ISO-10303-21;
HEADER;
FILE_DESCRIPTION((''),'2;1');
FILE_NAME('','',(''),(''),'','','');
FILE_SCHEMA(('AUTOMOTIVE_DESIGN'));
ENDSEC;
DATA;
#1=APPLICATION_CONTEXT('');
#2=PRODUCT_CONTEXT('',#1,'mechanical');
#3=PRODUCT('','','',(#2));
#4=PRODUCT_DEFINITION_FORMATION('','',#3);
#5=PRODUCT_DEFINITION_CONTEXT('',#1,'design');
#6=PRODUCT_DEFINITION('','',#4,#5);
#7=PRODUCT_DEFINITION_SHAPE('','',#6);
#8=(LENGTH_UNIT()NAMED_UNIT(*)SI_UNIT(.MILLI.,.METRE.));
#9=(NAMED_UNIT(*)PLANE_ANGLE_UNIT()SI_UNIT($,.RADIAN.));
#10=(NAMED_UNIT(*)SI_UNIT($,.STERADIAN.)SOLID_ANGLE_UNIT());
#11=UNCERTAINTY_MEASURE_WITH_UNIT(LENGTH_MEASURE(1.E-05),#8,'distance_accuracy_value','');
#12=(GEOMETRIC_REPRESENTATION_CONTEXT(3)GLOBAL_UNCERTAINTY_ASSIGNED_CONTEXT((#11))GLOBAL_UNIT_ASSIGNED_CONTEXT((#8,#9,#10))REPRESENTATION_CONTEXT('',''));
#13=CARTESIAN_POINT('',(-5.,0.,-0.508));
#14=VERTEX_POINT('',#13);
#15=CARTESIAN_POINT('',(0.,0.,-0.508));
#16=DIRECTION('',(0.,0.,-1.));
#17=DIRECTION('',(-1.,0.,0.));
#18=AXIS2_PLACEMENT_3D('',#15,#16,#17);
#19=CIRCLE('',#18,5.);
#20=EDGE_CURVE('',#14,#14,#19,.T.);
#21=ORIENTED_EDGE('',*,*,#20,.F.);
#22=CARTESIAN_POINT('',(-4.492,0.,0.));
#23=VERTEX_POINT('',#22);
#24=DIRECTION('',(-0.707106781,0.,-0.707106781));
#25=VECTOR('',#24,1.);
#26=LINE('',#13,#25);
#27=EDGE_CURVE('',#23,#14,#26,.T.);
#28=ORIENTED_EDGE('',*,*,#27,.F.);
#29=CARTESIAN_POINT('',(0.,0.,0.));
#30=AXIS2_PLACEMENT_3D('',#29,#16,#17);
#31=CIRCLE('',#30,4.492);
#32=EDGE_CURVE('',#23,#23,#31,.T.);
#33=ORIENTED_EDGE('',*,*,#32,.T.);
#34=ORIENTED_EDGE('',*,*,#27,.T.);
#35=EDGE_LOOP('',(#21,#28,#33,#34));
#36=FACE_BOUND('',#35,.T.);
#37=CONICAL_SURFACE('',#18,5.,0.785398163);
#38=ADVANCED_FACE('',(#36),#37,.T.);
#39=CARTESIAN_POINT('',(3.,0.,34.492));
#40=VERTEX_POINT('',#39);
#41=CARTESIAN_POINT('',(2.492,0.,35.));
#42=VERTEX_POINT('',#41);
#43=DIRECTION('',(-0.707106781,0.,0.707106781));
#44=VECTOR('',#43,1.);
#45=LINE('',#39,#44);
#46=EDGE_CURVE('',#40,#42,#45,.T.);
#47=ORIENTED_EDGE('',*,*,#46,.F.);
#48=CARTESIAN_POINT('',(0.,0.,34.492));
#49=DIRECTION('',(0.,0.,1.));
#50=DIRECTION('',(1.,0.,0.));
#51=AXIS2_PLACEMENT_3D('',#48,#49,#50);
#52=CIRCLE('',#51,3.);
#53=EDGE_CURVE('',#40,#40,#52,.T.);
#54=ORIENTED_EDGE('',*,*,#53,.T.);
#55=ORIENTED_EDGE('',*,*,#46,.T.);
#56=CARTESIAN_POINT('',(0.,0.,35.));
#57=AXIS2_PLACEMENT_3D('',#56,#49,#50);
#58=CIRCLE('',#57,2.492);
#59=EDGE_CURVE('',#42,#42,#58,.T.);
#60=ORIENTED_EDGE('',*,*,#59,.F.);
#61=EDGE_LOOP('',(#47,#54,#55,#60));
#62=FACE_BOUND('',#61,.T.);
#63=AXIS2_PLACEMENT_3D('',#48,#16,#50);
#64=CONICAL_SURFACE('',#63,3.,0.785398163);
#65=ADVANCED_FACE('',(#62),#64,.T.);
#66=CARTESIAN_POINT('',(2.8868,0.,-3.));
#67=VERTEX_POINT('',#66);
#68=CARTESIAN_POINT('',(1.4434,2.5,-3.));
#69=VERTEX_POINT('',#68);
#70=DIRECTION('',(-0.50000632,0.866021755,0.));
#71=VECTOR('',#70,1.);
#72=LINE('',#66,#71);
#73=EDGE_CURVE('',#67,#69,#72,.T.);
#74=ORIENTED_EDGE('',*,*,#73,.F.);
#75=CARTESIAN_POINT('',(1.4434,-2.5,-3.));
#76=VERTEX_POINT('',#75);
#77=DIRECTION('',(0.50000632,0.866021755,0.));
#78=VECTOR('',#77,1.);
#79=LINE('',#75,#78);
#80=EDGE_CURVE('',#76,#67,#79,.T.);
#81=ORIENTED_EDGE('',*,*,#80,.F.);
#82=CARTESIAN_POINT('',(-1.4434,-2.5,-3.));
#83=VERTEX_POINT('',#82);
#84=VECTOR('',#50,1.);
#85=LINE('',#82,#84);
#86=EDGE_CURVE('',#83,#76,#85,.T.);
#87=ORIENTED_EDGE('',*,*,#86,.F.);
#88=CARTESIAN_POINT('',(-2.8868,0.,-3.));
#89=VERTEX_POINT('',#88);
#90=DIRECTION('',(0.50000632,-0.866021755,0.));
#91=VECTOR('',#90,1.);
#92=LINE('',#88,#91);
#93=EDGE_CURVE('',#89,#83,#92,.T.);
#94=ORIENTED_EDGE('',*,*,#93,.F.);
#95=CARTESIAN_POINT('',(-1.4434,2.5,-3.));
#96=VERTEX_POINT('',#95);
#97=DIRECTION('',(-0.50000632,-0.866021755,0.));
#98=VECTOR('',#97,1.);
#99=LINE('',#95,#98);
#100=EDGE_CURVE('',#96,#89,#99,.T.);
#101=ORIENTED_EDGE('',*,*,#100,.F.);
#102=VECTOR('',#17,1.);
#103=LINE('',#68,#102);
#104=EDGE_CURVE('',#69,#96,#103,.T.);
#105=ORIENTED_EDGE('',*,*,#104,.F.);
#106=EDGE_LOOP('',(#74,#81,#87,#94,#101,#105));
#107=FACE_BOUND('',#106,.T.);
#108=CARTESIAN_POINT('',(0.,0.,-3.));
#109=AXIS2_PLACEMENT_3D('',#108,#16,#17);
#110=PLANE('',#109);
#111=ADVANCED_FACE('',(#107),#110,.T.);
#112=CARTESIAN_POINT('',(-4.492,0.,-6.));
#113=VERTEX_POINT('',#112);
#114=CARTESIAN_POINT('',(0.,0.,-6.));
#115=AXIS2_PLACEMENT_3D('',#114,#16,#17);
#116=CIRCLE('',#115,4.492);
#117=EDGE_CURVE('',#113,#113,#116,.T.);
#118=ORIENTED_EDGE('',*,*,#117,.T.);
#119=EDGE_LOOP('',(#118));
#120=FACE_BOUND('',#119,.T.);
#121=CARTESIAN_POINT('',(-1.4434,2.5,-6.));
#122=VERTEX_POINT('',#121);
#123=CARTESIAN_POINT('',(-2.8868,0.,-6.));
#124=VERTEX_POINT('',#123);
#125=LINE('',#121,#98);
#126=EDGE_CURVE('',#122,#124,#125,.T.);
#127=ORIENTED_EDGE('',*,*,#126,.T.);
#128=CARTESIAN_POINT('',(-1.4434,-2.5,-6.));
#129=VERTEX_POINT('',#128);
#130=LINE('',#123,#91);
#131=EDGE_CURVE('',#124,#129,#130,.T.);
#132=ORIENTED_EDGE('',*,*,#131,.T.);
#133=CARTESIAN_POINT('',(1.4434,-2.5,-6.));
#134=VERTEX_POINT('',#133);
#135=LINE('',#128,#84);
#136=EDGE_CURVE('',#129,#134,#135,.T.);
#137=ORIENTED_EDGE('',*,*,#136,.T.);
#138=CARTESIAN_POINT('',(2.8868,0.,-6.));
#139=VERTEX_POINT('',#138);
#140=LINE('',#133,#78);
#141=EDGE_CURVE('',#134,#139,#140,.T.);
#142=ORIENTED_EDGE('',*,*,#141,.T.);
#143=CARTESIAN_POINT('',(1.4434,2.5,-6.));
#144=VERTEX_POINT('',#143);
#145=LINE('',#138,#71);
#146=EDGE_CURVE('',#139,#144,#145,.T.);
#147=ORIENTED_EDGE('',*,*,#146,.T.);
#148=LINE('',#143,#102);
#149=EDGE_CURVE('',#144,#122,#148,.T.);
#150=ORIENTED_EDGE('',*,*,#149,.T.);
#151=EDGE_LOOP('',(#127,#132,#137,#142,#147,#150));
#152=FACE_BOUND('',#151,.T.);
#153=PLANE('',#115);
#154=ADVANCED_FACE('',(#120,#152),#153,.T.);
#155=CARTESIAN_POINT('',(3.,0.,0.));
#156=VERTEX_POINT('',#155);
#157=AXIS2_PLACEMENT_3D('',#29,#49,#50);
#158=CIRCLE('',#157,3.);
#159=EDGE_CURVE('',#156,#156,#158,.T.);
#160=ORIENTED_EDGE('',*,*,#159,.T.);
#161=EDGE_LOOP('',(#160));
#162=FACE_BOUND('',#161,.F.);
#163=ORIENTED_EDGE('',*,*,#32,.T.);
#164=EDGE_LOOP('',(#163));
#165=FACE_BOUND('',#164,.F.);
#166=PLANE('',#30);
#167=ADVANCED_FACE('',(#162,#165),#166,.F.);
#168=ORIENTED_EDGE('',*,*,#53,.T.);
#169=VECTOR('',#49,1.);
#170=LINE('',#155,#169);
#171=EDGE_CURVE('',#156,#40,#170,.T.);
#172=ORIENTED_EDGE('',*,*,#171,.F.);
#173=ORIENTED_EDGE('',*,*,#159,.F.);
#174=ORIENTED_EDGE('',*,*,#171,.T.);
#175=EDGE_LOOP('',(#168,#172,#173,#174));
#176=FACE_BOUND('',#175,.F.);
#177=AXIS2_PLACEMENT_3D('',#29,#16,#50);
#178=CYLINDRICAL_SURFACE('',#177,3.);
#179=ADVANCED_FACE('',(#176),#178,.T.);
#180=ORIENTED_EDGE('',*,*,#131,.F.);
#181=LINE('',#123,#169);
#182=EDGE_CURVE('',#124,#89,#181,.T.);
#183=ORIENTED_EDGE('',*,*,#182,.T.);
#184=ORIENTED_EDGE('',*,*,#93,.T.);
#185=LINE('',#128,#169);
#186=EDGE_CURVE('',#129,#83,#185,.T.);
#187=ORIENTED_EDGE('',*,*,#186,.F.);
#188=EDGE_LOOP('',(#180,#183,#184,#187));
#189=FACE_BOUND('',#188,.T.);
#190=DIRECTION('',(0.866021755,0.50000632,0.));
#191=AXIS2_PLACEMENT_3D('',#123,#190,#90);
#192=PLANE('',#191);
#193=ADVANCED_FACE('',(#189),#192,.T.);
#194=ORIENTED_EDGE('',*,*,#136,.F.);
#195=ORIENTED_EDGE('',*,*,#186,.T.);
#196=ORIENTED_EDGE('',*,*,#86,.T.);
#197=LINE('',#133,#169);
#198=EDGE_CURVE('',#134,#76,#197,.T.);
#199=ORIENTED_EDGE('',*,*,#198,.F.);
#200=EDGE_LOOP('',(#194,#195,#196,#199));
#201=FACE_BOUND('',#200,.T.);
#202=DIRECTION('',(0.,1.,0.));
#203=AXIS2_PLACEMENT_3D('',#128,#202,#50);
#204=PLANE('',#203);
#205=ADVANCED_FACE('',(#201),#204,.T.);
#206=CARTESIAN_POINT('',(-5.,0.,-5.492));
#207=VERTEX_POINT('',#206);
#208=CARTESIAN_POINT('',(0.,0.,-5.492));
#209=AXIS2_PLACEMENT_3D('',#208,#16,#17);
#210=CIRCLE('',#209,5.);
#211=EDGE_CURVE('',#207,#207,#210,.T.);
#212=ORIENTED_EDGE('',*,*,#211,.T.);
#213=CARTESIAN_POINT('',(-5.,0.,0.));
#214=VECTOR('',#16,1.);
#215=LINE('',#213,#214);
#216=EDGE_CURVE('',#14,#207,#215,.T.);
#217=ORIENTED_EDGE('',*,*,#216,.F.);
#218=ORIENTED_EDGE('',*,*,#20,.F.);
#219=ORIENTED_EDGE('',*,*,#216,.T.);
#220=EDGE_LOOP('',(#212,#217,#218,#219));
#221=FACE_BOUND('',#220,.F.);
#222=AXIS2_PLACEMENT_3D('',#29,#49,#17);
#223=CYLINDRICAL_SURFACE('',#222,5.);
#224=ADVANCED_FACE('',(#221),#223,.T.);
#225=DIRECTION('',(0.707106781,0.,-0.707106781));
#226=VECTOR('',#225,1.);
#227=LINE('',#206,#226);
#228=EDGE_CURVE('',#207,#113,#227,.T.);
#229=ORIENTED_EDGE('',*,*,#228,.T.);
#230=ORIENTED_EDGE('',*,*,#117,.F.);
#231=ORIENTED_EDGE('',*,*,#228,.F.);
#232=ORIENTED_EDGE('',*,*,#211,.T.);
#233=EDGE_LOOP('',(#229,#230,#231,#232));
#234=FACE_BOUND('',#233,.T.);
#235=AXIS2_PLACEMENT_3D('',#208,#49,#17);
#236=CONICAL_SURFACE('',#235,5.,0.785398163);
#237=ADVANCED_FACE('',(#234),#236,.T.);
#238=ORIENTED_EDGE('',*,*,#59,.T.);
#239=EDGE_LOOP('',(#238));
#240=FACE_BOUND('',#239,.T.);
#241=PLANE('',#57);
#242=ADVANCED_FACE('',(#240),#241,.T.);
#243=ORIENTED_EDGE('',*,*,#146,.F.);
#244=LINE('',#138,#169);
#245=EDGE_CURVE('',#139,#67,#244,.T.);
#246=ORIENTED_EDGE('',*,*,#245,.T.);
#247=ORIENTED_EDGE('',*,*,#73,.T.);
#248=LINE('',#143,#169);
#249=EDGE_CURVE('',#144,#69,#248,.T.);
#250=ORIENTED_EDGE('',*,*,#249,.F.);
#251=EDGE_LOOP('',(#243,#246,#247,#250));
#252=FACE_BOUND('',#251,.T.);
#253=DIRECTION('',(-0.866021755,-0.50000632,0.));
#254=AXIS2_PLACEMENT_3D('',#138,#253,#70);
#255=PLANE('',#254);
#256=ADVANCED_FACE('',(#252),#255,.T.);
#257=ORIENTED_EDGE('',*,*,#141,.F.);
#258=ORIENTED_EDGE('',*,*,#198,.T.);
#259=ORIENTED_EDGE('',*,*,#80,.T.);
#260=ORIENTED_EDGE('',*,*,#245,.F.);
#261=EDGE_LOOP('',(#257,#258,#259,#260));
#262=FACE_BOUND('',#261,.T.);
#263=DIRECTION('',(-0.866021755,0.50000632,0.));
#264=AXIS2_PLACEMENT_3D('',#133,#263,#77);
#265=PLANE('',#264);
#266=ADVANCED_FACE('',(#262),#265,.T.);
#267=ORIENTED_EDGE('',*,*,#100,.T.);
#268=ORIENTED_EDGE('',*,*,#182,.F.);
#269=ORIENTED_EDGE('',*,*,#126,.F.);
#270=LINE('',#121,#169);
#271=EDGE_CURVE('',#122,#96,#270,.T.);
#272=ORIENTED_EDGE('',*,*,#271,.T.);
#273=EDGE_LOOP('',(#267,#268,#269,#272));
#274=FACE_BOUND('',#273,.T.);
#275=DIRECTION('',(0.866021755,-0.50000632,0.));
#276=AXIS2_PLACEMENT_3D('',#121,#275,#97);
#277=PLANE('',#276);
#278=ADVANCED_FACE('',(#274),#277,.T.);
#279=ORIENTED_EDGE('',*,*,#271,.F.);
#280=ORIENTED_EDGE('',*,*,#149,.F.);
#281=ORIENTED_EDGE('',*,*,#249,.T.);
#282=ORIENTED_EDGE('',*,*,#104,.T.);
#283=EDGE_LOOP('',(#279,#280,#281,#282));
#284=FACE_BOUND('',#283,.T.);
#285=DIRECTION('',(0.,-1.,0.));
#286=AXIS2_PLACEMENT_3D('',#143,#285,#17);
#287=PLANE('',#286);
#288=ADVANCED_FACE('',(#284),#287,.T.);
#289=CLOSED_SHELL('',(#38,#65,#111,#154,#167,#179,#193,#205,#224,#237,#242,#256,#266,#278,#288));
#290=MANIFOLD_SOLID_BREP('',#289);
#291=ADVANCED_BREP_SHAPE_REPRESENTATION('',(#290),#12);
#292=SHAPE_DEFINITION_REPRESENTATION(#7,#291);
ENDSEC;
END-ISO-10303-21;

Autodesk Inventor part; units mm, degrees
ref_plane "YZ Plane" through (0, 0, 0) normal (1, 0, 0) x (0, 1, 0)
ref_plane "XZ Plane" through (0, 0, 0) normal (0, 1, 0) x (-1, 0, 0)
ref_plane "XY Plane" through (0, 0, 0) normal (0, 0, 1) x (1, 0, 0)
sketch "Sketch1" plane through (0, 0, 0) normal (0, 0, 1) x (1, 0, 0)
  circle A0 centre (0, 0) radius 3
  dimension "d0" = 6
extrude "Extrusion1" add sketch "Sketch1" along normal blind 35
sketch "Sketch2" plane through (0, 0, 0) normal (0, 0, -1) x (-1, 0, 0)
  circle A0 centre (0, 0) radius 3 projected
  circle A1 centre (0, 0) radius 5
  dimension "d3" = 10
extrude "Extrusion2" add sketch "Sketch2" along normal blind 6 contours A0 | A1
sketch "Sketch3" plane through (0, 0, -6) normal (0, 0, -1) x (-1, 0, 0)
  circle A0 centre (0, 0) radius 5 projected
  line L0 (-1.4434, 2.5) -> (1.4434, 2.5)
  line L1 (1.4434, 2.5) -> (2.8868, 0)
  line L2 (2.8868, 0) -> (1.4434, -2.5)
  line L3 (1.4434, -2.5) -> (-1.4434, -2.5)
  line L4 (-1.4434, -2.5) -> (-2.8868, 0)
  line L5 (-2.8868, 0) -> (-1.4434, 2.5)
  dimension "d6" = 5
extrude "Extrusion3" cut sketch "Sketch3" against normal blind 3 contours L0 L1 L2 L3 L4 L5
thread "Thread1" size "M6x1" class "6g" standard "ANSI Metric M Profile" full length
chamfer "Chamfer1" distance 0.508 angle 45 3 edges at (5, 0, -6) (5, 0, 0) (-3, 0, 35)
properties part number "M6 x 12mm" material "Steel"
